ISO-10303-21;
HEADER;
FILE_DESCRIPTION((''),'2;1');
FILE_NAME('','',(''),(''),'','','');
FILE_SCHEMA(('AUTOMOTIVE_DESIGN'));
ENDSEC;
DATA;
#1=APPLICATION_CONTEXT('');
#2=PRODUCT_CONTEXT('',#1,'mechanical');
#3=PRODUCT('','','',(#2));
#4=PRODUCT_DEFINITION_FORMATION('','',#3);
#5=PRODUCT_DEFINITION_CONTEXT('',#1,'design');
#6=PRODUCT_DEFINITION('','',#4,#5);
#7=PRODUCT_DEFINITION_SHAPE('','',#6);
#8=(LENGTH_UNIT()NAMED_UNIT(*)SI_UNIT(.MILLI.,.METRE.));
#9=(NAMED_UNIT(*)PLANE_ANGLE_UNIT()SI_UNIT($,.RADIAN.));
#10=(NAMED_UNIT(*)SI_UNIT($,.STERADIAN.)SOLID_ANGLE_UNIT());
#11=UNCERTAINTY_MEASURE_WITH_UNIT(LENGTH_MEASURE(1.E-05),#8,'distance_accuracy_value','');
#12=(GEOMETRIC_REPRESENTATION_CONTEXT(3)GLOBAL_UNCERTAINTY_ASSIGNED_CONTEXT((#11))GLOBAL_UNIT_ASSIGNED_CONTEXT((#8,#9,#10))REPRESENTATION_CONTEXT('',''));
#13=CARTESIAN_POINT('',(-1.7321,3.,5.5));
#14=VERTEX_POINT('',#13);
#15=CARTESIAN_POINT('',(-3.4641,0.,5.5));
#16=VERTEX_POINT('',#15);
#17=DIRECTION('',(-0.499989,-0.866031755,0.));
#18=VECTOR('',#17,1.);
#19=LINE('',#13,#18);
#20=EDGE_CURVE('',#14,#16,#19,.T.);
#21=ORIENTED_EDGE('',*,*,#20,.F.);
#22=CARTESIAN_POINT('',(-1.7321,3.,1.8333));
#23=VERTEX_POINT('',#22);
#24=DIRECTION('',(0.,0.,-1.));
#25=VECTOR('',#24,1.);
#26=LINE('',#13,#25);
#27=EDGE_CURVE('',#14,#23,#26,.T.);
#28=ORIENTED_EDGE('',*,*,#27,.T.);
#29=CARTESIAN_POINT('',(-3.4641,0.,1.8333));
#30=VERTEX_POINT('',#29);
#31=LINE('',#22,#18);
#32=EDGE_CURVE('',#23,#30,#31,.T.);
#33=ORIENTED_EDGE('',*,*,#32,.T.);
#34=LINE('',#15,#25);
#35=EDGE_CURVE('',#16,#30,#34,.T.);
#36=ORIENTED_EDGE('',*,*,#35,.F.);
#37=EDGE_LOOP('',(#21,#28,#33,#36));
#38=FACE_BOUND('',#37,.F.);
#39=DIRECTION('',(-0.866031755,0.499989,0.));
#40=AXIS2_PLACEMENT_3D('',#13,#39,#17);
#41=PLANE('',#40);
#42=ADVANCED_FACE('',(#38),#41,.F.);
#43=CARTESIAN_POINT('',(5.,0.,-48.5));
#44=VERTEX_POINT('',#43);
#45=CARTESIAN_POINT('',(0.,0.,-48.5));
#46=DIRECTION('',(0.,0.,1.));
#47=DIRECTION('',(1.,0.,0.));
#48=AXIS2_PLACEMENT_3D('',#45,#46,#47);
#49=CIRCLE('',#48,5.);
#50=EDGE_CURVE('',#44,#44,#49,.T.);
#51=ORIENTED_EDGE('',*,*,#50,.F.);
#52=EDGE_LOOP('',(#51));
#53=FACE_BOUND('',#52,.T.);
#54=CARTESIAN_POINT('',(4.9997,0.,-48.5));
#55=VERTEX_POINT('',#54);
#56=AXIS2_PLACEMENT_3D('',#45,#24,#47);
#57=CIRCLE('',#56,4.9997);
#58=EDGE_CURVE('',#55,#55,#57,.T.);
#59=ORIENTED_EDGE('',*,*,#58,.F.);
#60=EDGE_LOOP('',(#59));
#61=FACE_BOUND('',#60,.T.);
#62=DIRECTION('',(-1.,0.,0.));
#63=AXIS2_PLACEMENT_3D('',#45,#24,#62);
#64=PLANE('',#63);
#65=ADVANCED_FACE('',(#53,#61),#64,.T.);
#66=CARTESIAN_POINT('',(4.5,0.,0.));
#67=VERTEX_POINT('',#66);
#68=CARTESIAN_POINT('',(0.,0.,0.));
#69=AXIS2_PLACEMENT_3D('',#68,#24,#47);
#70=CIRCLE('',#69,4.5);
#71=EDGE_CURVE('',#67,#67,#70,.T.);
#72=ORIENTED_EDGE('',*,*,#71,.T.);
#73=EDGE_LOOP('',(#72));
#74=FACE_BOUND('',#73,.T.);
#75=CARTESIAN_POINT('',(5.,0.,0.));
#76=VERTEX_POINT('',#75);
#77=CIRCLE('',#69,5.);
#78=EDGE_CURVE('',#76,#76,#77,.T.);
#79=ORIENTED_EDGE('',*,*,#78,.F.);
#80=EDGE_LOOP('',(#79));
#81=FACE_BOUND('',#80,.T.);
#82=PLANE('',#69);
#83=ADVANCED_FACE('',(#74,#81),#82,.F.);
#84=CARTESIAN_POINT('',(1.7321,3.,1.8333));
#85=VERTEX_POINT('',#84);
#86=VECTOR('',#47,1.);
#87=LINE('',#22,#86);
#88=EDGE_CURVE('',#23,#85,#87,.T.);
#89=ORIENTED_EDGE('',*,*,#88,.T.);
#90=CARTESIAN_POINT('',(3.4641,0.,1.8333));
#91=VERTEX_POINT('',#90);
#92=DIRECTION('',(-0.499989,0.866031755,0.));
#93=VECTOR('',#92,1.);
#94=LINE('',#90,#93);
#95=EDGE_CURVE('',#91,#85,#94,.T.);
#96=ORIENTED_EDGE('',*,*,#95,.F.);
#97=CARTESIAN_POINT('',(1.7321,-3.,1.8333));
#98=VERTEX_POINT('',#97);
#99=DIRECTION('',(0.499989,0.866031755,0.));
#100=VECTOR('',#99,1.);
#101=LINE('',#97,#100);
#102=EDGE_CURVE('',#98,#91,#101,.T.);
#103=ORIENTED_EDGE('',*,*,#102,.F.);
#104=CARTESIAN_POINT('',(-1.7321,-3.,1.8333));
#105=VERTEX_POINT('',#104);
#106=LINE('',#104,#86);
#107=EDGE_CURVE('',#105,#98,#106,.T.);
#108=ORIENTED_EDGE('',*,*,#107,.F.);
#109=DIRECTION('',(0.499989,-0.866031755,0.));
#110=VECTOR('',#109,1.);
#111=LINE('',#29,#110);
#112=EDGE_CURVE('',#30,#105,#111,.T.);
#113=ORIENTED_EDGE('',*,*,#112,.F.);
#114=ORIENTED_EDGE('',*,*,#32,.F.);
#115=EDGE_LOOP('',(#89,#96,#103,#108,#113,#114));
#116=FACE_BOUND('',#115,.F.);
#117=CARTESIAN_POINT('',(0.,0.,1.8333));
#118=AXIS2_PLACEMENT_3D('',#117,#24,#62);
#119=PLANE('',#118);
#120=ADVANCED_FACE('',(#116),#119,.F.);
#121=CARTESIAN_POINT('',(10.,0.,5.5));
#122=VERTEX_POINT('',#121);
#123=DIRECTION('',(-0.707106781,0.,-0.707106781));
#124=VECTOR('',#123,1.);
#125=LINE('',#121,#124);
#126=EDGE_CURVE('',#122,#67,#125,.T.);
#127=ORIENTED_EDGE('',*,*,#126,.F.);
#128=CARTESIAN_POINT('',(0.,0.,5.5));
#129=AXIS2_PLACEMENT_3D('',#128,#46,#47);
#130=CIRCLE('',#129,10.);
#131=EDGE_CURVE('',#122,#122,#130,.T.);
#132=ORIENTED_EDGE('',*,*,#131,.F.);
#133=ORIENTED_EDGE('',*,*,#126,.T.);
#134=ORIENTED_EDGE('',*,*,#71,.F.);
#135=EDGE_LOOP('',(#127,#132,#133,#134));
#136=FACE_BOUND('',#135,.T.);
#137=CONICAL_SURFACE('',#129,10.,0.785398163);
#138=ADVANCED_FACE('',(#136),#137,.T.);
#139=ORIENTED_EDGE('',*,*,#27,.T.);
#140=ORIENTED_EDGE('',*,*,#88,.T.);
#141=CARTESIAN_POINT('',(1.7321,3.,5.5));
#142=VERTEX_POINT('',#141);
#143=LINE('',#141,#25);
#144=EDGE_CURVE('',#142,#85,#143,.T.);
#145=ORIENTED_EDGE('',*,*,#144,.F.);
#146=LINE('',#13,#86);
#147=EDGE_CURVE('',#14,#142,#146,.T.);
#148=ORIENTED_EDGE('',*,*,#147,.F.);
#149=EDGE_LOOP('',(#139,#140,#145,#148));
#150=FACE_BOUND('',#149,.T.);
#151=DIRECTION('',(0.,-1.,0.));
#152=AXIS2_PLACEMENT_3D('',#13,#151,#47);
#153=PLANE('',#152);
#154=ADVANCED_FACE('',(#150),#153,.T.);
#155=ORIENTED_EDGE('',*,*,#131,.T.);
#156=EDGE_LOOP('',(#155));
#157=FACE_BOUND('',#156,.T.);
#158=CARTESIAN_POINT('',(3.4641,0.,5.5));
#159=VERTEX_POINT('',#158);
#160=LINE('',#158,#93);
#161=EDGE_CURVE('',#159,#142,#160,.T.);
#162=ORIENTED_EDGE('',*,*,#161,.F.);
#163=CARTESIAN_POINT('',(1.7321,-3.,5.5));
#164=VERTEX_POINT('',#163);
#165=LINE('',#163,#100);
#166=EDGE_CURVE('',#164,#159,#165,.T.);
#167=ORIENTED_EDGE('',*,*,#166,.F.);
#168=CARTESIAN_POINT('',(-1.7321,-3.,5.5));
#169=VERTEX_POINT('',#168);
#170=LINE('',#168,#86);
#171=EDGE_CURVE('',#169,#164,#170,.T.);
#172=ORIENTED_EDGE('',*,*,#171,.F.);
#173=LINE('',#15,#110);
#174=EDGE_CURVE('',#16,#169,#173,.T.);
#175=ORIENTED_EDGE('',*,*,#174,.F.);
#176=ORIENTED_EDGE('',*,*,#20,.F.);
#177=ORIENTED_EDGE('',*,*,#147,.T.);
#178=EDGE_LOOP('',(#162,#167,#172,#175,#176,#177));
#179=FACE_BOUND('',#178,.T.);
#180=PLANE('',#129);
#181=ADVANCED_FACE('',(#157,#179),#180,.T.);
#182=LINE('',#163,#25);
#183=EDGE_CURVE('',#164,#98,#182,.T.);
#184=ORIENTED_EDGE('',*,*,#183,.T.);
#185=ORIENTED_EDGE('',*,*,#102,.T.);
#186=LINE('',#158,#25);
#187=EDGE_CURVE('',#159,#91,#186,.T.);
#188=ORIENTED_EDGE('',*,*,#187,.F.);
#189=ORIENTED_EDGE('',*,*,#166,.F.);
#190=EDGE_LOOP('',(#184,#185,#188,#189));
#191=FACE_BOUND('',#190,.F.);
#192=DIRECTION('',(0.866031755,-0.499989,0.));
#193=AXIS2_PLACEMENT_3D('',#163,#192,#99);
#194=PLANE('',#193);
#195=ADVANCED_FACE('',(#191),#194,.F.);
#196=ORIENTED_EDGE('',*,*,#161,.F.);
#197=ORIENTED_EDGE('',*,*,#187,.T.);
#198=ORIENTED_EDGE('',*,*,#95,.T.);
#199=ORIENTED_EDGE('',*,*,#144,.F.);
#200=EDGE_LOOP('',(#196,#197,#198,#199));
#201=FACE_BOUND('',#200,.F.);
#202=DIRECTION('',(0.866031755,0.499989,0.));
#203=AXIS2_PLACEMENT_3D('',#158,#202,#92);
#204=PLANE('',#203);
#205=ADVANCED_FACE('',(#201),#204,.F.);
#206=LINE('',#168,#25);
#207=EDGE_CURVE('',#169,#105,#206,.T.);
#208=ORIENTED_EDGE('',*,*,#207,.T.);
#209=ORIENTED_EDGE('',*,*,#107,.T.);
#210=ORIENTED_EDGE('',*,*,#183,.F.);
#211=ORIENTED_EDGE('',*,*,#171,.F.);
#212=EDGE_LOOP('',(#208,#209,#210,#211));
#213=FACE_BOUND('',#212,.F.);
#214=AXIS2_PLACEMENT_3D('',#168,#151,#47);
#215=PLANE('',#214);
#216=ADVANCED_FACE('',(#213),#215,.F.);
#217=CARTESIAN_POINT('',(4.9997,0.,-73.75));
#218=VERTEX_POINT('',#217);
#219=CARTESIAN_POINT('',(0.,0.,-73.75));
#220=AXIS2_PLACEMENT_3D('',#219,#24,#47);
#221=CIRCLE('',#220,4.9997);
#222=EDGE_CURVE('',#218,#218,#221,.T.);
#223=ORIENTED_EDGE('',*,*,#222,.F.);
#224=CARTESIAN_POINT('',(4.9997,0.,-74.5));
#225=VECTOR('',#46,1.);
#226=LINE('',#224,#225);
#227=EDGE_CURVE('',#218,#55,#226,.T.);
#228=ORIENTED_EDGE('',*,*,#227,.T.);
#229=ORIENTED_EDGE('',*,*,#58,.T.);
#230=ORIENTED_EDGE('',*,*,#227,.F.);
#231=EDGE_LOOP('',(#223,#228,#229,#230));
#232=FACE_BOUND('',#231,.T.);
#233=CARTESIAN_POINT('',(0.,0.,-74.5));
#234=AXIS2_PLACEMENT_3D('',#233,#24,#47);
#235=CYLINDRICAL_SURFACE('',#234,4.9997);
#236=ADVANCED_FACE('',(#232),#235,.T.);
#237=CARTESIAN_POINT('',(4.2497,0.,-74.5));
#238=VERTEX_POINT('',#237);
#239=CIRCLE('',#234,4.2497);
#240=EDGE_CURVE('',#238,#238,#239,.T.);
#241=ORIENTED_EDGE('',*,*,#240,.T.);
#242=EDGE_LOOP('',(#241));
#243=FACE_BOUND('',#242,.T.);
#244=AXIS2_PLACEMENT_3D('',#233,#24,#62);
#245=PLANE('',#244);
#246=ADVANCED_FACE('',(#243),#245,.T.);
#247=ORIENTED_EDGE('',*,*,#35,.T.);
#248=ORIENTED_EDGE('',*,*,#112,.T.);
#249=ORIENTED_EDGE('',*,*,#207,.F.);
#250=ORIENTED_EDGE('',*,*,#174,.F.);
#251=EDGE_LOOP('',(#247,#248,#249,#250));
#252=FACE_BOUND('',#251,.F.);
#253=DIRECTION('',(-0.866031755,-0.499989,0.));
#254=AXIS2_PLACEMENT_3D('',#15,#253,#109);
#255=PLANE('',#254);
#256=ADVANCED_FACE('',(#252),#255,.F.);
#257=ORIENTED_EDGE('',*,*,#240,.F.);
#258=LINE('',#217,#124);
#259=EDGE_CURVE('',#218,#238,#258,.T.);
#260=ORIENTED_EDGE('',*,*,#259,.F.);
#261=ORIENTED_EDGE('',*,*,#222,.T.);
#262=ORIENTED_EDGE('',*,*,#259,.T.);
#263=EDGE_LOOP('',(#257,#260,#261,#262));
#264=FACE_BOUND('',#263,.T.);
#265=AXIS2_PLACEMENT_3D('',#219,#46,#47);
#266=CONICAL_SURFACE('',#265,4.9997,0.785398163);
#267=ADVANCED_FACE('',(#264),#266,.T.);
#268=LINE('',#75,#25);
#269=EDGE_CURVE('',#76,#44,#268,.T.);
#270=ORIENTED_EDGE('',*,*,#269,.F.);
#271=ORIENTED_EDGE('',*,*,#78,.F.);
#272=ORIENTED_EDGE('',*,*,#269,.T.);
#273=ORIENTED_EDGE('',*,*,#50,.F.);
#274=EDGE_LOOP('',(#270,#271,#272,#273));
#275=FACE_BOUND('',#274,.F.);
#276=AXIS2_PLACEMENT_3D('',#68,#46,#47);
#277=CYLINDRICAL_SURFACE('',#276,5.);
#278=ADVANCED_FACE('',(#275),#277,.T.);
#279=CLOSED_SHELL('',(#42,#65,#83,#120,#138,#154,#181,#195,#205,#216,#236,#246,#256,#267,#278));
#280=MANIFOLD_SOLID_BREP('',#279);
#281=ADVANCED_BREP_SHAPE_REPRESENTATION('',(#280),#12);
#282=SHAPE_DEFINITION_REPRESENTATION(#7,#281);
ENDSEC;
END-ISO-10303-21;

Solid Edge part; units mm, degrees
sketch "Sketch1" plane through (0, 0, 0) normal (0, 0, 1) x (1, 0, 0)
  circle A0 centre (0, 0) radius 10
  dimension "D1" = 20
extrude "Protrusion1" add sketch "Sketch1" along normal blind 5.5
sketch "Sketch2" plane through (0, 0, 0) normal (0, 0, -1) x (1, 0, 0)
  circle A0 centre (0, 0) radius 5
extrude "Protrusion2" add sketch "Sketch2" along normal blind 74.5
sketch "Sketch3" plane through (0, 0, -74.5) normal (0, 0, -1) x (1, 0, 0)
  circle A0 centre (0, 0) radius 4.9997
extrude "Cutout1" cut sketch "Sketch3" against normal blind 26 flip side to cut
chamfer "Chamfer_1" distance 0.75 angle 45 1 edges at (-4.9997, 0, -74.5)
sketch "Sketch4" plane through (0, 0, 5.5) normal (0, 0, 1) x (1, 0, 0)
  line L0 (-1.7321, 3) -> (1.7321, 3)
  line L1 (3.4641, 0) -> (1.7321, 3)
  line L2 (1.7321, -3) -> (3.4641, 0)
  line L3 (-1.7321, -3) -> (1.7321, -3)
  line L4 (-3.4641, 0) -> (-1.7321, -3)
  line L5 (-1.7321, 3) -> (-3.4641, 0)
  dimension "D1" = 6
extrude "Cutout2" cut sketch "Sketch4" against normal blind 3.6667
sketch "Sketch5" plane through (0, 0, 0) normal (0, -1, 0) x (1, 0, 0)
  line L0 (10, 5.5) -> (4.5, 0)
  line L1 (4.5, 0) -> (10, 0)
  line L2 (10, 0) -> (10, 5.5)
revolve "RevolvedCutout1" cut sketch "Sketch5" angle 360 about axis through (0, 0, 14.0017) along (0, 0, -1)
properties part number "300546"
